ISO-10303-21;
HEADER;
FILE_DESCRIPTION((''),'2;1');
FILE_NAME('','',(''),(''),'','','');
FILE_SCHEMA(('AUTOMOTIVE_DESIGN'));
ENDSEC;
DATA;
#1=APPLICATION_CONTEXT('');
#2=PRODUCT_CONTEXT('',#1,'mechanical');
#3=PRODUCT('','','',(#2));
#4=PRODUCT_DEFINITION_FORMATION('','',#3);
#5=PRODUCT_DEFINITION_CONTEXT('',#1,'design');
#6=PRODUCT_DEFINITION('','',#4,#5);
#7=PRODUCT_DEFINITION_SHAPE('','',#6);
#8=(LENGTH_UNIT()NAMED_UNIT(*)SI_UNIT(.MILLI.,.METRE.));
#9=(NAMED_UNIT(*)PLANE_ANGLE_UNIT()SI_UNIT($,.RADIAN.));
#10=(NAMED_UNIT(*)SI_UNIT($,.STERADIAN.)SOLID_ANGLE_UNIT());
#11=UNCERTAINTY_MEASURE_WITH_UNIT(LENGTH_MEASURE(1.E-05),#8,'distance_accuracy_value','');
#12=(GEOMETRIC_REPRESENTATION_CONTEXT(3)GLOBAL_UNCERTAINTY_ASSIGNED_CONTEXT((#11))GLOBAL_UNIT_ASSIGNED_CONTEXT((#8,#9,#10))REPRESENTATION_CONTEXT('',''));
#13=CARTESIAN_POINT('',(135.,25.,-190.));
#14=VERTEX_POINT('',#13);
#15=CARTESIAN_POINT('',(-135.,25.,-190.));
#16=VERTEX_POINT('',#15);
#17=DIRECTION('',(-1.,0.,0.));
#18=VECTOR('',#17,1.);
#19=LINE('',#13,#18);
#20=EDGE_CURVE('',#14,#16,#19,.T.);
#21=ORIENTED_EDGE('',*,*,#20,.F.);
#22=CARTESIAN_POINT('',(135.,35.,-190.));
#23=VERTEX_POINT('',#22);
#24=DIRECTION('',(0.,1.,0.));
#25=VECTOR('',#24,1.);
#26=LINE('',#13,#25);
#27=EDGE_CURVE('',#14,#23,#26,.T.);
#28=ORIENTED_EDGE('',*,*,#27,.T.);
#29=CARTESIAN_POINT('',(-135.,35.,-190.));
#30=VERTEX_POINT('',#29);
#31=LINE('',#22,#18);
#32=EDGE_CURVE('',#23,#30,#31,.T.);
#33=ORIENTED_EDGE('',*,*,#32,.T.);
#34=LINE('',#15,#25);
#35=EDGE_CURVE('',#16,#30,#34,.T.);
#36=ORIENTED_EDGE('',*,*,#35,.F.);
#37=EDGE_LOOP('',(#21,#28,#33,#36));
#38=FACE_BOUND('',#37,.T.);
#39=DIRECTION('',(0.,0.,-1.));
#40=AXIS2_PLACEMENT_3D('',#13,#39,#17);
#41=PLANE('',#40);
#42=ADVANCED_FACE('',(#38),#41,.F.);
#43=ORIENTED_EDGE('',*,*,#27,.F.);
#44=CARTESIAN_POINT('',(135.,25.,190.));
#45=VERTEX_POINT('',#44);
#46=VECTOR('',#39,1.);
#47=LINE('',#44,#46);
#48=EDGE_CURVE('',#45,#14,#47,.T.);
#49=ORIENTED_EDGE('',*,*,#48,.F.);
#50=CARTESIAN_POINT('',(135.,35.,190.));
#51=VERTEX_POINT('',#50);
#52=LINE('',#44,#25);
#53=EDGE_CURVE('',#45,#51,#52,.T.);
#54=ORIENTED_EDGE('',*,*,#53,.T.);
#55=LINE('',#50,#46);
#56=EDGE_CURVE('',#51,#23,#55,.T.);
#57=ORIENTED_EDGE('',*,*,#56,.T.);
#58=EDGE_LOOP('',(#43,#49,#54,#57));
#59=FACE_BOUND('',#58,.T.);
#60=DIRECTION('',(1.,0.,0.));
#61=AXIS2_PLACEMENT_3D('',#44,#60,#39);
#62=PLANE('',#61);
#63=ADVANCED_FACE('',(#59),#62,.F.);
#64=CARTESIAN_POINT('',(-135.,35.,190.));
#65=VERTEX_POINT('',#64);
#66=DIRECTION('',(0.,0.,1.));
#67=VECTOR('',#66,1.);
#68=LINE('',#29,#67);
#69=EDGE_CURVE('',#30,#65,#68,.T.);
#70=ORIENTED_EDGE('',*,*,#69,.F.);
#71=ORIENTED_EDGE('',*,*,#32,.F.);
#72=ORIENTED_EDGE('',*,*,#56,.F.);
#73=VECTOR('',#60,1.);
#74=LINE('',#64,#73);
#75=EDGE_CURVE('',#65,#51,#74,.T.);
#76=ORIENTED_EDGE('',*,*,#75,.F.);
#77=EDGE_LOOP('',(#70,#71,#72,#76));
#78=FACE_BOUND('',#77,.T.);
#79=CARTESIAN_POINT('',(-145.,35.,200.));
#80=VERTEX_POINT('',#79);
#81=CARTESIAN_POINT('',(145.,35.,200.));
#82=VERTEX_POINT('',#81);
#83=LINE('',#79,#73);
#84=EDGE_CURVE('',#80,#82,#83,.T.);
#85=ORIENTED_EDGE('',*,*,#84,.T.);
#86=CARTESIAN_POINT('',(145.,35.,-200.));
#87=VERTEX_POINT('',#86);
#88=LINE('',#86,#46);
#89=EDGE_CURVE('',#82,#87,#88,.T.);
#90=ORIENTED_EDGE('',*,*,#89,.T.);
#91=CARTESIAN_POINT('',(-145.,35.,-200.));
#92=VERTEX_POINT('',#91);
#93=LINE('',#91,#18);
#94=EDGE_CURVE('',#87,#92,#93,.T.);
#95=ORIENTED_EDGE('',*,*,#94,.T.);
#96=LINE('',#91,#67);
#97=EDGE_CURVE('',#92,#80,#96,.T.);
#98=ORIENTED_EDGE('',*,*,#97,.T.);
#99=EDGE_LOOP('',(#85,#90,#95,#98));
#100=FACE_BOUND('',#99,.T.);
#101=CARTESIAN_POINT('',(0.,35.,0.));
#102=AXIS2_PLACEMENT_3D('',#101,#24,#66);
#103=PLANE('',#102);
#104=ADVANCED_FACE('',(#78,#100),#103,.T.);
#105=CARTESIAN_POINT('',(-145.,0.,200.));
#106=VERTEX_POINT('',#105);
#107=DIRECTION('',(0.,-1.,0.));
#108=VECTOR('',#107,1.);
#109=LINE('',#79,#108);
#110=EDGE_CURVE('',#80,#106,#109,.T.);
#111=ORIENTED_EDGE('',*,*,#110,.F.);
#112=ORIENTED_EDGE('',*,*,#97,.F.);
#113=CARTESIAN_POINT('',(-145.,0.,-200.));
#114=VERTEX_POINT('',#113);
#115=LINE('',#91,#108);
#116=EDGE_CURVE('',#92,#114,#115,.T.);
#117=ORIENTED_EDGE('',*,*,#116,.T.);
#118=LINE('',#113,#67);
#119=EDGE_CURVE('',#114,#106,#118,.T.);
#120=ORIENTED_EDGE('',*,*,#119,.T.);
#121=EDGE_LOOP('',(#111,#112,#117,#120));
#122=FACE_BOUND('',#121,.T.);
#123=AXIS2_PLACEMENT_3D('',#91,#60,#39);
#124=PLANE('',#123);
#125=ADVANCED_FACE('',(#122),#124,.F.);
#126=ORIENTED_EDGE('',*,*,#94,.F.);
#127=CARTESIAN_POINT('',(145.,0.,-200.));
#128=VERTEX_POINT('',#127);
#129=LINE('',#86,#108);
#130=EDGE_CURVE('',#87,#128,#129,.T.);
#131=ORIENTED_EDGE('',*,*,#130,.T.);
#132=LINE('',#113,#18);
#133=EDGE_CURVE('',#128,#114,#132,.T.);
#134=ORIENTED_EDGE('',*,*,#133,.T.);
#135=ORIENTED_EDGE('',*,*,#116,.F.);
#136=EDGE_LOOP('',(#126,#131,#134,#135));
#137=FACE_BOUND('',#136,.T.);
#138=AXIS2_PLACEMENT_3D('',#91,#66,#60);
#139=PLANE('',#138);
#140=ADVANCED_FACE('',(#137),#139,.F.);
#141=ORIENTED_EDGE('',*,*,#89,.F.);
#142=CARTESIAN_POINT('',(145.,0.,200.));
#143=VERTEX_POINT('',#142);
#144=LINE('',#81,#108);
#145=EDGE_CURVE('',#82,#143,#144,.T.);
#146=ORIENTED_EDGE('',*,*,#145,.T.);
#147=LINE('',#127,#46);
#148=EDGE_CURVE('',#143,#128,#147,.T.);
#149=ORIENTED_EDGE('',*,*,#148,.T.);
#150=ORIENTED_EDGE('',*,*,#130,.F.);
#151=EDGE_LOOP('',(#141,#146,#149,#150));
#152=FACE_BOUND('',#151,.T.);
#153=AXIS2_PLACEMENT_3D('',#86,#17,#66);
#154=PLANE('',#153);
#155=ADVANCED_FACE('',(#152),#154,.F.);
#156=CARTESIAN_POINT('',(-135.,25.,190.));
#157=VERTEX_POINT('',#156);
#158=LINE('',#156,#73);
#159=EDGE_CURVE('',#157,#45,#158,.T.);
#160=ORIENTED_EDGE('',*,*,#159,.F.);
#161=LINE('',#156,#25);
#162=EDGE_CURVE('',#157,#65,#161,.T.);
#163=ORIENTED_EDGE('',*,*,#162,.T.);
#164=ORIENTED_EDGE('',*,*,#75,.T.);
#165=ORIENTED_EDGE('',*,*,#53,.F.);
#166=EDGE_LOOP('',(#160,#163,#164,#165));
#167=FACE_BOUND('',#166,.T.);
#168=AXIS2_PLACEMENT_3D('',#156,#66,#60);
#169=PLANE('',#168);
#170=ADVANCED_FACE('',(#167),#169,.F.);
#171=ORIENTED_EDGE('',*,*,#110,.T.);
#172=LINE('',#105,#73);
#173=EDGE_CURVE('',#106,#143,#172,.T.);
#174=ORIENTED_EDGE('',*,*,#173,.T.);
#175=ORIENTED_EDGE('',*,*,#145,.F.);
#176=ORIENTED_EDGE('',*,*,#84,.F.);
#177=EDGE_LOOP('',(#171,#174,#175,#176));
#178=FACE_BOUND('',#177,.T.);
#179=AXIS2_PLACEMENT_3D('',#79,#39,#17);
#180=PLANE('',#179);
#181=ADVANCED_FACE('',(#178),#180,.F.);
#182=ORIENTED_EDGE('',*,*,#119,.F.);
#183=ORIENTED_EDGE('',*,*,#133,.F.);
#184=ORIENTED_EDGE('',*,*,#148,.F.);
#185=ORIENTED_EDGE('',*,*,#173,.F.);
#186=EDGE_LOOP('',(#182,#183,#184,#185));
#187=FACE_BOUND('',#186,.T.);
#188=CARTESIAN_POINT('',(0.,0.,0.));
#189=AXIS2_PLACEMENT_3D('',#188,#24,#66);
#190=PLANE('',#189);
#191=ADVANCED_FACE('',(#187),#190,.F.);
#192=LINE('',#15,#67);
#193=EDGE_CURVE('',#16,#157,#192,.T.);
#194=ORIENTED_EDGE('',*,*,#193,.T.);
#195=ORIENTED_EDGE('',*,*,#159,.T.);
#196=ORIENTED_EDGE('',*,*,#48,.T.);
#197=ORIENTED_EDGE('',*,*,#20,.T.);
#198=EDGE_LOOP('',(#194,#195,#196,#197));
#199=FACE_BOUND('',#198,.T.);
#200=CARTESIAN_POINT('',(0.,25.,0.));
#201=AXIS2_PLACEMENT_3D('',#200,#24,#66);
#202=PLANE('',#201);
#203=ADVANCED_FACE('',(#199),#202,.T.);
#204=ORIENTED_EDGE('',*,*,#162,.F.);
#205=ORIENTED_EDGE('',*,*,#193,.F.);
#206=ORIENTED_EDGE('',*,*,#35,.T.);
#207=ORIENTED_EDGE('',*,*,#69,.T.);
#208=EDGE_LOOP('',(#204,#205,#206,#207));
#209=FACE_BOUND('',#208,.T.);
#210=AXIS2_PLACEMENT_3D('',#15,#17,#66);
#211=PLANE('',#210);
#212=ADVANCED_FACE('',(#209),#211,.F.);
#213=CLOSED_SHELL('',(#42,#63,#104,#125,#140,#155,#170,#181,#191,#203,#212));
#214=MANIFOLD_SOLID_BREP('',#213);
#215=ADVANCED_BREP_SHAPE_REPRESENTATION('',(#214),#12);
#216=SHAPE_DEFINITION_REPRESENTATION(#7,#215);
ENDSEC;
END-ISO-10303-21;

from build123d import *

# Parameters (mm, degrees)
SKETCH1_W           = 290
SKETCH1_H           = 400
BOSS_EXTRUDE1_DEPTH = 35
SKETCH2_W           = 270
SKETCH2_H           = 380
CUT_EXTRUDE2_DEPTH  = 10


with BuildPart() as part:
    # Sketch1 → Boss-Extrude1 (new body)
    with BuildSketch(Plane(origin=(0, 0, 0), x_dir=(1, 0, 0), z_dir=(0, 1, 0))):
        Rectangle(SKETCH1_W, SKETCH1_H)
    extrude(amount=BOSS_EXTRUDE1_DEPTH)

    # Sketch2 → Cut-Extrude2 (cut)
    with BuildSketch(Plane(origin=(0, 35, 0), x_dir=(1, 0, 0), z_dir=(0, 1, 0))):
        Rectangle(SKETCH2_W, SKETCH2_H)
    extrude(amount=-CUT_EXTRUDE2_DEPTH, mode=Mode.SUBTRACT)


solid = part.part
